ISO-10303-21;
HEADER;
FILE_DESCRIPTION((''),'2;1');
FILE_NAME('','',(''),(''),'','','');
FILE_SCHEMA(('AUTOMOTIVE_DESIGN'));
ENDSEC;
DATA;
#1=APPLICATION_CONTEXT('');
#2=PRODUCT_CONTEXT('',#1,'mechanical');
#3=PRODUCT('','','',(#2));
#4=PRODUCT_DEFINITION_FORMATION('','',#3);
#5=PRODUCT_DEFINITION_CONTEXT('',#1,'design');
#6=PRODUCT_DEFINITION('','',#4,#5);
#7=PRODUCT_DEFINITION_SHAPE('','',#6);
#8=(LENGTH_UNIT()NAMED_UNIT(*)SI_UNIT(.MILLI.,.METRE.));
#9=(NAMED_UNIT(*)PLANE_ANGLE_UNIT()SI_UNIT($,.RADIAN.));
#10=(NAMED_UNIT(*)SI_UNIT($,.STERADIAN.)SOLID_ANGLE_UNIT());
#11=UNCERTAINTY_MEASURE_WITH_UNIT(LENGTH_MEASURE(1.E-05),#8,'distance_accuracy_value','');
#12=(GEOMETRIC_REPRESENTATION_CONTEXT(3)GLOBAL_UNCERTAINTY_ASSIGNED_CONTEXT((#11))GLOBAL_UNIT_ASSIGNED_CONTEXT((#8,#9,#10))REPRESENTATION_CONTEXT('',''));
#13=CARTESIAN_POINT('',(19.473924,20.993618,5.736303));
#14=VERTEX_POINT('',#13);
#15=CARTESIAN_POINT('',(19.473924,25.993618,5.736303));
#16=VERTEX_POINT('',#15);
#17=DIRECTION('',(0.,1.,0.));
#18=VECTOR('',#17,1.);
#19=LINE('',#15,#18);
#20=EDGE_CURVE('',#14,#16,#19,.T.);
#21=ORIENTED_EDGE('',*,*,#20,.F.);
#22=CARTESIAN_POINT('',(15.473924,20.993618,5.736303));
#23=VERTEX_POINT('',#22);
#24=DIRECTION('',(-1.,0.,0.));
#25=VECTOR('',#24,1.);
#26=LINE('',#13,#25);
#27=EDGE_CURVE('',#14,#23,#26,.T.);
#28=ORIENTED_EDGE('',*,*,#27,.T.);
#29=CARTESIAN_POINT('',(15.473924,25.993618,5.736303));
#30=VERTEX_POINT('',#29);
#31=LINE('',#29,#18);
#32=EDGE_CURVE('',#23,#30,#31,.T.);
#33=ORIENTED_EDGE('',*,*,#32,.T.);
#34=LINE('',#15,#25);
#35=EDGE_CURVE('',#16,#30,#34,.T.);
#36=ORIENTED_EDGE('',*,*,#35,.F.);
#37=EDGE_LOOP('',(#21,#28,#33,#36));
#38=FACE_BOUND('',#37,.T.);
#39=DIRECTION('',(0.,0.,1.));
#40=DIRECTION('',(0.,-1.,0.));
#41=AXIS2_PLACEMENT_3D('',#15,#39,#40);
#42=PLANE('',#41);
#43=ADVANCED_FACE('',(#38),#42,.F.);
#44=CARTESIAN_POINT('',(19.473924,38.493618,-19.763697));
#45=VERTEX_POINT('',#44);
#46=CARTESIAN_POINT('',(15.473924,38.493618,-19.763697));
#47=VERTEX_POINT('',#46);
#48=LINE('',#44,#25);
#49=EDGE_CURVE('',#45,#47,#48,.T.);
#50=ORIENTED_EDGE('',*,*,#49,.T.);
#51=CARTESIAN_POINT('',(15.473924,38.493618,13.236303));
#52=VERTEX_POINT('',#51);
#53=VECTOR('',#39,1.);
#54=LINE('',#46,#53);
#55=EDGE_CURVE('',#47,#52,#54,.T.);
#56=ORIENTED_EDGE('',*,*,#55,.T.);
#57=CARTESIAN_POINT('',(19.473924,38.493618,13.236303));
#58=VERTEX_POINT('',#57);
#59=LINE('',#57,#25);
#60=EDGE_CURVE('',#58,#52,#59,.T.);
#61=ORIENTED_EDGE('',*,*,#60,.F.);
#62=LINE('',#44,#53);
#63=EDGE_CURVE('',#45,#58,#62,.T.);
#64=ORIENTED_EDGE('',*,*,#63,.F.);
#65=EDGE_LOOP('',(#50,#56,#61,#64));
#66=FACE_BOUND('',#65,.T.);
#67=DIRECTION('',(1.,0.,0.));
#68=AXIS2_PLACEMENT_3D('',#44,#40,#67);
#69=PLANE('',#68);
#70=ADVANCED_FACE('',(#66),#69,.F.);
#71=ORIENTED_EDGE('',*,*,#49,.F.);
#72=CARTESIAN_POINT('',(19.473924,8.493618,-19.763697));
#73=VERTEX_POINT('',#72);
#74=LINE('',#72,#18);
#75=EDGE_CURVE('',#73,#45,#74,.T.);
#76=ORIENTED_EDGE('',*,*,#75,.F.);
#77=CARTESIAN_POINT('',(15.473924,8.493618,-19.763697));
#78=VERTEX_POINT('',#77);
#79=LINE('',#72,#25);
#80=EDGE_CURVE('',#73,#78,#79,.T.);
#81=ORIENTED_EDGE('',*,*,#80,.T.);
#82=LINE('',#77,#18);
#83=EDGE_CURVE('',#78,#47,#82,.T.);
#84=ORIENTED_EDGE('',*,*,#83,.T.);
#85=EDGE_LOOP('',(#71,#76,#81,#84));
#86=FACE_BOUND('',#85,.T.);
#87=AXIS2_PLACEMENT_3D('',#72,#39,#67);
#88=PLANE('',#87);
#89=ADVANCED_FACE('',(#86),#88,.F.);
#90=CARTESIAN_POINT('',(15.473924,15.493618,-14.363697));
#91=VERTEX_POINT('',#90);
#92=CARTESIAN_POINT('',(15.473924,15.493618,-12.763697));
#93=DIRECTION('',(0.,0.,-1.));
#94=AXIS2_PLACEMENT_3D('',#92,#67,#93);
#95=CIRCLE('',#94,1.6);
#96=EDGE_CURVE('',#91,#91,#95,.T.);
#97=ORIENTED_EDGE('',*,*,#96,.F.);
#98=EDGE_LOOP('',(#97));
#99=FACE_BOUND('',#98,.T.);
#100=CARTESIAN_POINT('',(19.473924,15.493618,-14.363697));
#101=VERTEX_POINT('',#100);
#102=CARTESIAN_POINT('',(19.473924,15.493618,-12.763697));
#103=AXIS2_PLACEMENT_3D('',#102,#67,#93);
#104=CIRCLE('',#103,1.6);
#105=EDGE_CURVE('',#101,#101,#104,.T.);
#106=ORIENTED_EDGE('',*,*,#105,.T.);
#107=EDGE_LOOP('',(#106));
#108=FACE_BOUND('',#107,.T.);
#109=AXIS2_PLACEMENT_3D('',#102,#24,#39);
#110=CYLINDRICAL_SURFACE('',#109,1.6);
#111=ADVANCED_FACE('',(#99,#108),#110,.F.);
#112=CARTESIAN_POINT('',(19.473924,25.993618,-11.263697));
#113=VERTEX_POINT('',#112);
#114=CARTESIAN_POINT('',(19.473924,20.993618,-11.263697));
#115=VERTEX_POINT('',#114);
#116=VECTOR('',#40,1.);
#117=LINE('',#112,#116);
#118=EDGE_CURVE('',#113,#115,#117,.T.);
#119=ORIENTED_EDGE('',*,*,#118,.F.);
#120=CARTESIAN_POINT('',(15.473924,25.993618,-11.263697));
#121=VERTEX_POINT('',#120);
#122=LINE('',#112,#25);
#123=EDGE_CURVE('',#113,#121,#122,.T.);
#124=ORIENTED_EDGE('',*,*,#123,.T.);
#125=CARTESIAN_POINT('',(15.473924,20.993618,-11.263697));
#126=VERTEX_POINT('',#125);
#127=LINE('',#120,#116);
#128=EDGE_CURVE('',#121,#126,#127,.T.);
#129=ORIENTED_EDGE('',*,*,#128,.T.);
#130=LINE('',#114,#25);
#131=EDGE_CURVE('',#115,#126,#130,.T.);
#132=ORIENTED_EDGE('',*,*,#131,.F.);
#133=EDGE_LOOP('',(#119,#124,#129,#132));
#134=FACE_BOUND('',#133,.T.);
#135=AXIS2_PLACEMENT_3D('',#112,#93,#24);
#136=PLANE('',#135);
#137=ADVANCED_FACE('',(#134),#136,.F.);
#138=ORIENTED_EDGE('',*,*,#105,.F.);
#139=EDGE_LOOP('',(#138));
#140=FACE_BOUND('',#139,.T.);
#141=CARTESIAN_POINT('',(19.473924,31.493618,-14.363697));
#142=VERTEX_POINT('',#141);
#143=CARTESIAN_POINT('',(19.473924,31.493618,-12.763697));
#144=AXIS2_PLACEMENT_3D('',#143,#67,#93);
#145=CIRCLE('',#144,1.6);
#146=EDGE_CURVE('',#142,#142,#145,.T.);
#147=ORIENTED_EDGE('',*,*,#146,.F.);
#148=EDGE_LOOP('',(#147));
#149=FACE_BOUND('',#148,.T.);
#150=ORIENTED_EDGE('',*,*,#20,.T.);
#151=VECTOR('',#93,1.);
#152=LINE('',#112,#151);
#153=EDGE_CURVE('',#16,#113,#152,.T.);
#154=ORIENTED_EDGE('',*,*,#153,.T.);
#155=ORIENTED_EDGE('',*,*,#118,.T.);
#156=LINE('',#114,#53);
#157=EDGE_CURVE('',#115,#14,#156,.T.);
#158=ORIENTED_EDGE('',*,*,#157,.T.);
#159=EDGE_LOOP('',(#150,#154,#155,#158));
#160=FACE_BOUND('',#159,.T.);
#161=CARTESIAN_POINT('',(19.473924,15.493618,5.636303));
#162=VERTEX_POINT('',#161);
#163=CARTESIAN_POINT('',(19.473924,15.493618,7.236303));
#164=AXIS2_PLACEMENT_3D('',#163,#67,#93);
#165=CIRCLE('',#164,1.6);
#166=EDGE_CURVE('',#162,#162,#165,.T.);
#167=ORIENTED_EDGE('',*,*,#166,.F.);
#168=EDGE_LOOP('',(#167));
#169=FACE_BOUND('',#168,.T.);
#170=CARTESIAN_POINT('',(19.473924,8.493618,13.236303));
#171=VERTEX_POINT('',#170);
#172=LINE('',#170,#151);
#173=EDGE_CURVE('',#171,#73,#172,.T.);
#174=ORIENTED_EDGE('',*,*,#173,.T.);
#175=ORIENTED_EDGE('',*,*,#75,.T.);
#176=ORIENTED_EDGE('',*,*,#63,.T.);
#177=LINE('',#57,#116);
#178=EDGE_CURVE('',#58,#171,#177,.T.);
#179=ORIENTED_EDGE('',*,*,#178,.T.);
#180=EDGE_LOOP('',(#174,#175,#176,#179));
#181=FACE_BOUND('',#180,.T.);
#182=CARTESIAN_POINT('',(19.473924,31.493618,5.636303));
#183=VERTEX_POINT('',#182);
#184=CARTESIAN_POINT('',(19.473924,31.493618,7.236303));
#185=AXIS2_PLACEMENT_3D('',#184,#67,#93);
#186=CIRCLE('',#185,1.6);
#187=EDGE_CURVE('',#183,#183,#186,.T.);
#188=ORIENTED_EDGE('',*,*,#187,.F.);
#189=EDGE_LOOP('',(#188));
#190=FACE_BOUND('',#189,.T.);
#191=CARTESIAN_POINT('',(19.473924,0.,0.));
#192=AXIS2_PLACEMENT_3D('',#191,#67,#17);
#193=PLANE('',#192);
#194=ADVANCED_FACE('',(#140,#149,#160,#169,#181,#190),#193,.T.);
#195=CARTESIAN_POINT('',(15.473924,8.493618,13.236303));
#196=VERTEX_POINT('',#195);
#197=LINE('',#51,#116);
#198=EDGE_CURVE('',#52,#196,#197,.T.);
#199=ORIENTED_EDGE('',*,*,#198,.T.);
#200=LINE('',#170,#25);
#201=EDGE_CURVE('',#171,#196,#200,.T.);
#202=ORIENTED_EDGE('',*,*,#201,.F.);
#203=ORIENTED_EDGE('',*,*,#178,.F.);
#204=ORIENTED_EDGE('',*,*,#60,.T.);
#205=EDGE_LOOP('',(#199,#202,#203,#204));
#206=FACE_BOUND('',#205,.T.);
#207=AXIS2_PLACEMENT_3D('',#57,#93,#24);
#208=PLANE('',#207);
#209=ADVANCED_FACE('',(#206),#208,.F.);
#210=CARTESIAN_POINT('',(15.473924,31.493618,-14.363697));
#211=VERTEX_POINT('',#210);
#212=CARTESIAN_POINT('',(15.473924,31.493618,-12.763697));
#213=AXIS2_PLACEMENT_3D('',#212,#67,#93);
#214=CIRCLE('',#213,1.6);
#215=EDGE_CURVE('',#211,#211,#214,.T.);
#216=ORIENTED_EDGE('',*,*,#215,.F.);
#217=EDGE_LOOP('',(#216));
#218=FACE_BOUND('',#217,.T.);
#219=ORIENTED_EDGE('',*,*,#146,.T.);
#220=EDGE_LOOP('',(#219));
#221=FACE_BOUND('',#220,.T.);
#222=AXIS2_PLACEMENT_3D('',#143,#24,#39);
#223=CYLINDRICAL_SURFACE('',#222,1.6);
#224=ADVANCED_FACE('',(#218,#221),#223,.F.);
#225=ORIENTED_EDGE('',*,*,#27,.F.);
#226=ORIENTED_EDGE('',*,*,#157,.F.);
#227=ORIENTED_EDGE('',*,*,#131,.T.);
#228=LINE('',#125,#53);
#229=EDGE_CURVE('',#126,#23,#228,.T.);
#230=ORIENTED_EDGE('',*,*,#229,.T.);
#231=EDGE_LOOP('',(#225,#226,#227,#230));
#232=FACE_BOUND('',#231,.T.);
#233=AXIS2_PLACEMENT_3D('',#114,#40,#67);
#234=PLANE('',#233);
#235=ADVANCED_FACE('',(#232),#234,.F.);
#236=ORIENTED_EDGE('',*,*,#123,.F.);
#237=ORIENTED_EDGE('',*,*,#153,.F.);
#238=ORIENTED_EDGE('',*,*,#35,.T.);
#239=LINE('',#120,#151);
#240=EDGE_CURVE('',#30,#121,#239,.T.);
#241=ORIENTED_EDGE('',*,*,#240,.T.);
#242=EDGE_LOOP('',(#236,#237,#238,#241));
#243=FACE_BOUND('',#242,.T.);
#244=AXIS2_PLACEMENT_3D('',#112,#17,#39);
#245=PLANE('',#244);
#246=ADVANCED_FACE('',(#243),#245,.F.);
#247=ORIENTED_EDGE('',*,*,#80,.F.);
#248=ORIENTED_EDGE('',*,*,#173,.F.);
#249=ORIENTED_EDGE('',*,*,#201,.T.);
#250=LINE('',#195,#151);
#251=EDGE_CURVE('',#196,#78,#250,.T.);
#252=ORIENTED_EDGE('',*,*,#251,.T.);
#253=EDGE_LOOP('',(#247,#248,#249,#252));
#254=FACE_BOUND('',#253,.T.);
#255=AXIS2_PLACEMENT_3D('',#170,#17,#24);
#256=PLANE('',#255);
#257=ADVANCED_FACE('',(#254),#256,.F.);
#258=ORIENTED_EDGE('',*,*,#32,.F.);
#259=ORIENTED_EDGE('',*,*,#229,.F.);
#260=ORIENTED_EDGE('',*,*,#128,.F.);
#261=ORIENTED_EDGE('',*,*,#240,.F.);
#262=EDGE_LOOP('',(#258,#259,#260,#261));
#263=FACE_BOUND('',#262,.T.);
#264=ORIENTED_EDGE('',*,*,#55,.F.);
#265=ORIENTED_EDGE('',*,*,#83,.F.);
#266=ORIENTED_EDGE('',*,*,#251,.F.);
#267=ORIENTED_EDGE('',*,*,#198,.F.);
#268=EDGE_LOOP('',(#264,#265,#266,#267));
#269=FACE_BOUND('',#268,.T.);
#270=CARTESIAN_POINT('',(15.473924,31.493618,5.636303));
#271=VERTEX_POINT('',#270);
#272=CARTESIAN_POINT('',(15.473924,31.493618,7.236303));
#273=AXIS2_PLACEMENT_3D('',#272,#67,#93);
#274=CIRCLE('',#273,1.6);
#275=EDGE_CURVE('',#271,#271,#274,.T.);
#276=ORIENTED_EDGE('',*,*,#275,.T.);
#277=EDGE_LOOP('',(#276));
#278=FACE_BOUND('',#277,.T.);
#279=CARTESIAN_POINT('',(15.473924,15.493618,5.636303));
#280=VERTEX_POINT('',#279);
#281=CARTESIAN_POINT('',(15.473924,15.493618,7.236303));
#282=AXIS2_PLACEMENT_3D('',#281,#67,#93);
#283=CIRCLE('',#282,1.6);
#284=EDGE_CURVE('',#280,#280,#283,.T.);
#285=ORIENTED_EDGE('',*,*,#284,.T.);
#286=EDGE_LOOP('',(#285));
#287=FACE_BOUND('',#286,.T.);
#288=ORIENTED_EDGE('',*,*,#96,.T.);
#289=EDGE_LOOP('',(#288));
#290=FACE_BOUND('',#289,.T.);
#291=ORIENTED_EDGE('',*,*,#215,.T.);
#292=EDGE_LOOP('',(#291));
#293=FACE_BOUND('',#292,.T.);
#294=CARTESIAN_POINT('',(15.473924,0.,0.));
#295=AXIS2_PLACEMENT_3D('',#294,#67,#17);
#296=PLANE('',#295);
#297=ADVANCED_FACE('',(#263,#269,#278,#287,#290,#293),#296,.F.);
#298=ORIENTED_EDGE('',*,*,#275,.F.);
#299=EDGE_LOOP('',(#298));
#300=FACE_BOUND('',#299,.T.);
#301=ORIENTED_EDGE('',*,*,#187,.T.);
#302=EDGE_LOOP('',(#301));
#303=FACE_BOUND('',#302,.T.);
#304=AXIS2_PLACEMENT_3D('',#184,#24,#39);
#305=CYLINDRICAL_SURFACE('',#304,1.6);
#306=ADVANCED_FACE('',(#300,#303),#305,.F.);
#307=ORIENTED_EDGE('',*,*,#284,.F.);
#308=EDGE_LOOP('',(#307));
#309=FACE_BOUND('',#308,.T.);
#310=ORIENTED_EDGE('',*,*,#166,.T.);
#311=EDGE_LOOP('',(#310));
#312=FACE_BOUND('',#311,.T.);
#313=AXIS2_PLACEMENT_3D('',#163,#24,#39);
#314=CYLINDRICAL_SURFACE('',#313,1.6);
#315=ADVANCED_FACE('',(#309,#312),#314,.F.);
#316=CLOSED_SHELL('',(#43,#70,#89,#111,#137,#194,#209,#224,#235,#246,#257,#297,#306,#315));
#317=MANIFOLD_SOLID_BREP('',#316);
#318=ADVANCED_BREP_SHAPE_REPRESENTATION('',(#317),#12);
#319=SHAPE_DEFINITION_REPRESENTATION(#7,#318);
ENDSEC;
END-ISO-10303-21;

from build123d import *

# Parameters (mm, degrees)
SKETCH_1_W         = 33
SKETCH_1_H         = 30
SKETCH_1_R         = 1.6
EXTRUDE_1_DEPTH    = 4
SKETCH2_W          = 17
SKETCH2_H          = 5
CUT_EXTRUDE2_DEPTH = 5


with BuildPart() as part:
    # Эскиз1 → Бобышка-Вытянуть1 (new body)
    with BuildSketch(Plane(origin=(15.473923778, 0, 0), x_dir=(0, 0, -1), z_dir=(1, 0, 0))):
        with Locations((3.263696673, 23.493617857)):
            Rectangle(SKETCH_1_W, SKETCH_1_H)
        with Locations((-7.236303327, 31.493617857)):
            Circle(SKETCH_1_R, mode=Mode.SUBTRACT)
        with Locations((12.763696673, 31.493617857)):
            Circle(SKETCH_1_R, mode=Mode.SUBTRACT)
        with Locations((-7.236303327, 15.493617857)):
            Circle(SKETCH_1_R, mode=Mode.SUBTRACT)
        with Locations((12.763696673, 15.493617857)):
            Circle(SKETCH_1_R, mode=Mode.SUBTRACT)
    extrude(amount=EXTRUDE_1_DEPTH)

    # Sketch2 → Cut-Extrude2 (cut, through all)
    with BuildSketch(Plane.ZY.offset(-15.473923778)):
        with Locations((-2.763696673, 23.493617857)):
            Rectangle(SKETCH2_W, SKETCH2_H)
    extrude(amount=-CUT_EXTRUDE2_DEPTH, mode=Mode.SUBTRACT)


solid = part.part
